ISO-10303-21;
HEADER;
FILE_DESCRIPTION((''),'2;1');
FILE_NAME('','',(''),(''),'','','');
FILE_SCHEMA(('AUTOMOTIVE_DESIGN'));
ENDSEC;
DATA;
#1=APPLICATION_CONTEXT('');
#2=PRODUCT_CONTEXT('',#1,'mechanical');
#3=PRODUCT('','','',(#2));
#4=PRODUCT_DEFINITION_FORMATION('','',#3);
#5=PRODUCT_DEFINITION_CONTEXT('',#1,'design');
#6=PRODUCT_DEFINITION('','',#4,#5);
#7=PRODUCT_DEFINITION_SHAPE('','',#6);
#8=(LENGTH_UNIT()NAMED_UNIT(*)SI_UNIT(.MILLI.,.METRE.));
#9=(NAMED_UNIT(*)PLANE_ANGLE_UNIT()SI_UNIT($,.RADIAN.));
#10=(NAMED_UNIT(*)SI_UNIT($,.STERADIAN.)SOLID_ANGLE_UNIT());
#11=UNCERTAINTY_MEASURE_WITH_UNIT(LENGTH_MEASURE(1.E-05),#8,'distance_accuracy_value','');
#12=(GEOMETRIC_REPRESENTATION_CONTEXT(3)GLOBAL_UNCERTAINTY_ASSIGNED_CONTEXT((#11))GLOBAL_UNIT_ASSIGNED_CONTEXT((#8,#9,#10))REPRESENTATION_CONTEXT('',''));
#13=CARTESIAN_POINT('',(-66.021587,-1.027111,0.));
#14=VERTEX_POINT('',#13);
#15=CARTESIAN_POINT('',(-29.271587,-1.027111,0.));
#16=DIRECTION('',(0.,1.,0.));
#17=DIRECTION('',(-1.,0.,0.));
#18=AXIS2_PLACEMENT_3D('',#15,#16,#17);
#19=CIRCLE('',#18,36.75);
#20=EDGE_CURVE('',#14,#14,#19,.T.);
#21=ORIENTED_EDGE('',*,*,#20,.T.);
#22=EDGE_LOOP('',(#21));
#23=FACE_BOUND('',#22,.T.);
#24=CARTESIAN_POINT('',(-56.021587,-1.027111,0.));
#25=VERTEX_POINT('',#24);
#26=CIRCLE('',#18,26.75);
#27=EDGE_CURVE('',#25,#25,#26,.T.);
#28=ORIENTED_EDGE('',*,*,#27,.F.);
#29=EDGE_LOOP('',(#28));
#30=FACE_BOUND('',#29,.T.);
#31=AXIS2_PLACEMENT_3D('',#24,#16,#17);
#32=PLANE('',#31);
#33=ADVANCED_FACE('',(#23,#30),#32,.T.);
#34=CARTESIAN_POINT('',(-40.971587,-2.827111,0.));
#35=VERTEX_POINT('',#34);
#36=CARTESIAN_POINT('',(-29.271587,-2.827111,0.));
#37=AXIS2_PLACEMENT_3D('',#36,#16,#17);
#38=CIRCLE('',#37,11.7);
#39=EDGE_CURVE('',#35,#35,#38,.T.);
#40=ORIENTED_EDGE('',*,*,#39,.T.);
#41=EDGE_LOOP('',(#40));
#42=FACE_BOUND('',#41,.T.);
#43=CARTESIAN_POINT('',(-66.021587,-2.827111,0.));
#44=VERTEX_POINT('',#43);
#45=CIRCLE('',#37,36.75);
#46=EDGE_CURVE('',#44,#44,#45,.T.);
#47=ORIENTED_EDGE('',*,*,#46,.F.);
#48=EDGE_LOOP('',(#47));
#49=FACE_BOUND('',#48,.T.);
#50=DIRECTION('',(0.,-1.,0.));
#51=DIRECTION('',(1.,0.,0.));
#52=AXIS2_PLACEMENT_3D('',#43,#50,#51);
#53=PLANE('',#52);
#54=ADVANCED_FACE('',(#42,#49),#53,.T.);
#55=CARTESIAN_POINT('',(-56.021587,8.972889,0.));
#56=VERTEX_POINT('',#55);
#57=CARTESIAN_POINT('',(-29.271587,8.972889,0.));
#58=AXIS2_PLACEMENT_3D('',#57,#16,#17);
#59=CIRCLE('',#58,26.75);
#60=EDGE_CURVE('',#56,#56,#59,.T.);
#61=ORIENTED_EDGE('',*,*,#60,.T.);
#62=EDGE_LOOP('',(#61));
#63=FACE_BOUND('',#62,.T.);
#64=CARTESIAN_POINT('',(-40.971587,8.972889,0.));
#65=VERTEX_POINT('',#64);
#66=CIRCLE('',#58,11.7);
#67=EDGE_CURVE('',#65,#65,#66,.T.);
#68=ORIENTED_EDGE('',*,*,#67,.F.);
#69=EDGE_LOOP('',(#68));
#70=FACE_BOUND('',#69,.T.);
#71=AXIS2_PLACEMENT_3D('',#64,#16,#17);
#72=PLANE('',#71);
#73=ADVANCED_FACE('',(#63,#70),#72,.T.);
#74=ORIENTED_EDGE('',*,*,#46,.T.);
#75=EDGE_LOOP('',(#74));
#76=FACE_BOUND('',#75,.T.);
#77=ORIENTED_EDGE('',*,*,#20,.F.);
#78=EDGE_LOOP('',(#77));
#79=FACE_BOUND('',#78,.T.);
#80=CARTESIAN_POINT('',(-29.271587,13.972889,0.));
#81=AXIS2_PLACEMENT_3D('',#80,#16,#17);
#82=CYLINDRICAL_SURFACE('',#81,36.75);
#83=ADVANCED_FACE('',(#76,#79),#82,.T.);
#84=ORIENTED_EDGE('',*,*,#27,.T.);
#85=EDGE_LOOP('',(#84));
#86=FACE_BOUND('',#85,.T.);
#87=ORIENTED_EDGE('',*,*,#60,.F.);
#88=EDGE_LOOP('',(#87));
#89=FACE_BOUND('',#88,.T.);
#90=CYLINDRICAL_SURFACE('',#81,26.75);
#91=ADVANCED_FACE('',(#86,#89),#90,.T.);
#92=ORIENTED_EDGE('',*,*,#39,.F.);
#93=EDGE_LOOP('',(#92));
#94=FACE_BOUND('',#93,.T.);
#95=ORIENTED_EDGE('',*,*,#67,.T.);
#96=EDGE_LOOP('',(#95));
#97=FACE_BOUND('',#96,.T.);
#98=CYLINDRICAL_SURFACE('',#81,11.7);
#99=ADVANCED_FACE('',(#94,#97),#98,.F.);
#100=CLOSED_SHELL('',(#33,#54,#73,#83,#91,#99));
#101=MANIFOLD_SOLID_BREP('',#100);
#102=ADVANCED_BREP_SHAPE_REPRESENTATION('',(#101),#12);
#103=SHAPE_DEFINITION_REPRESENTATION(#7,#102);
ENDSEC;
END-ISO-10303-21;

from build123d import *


with BuildPart() as part:
    # Croquis1 → Revolución1 (revolve)
    with BuildSketch(Plane.XY):
        Polygon((-40.97158728, 8.972889318), (-40.97158728, -2.827110682), (-66.02158728, -2.827110682), (-66.02158728, -1.027110682), (-56.02158728, -1.027110682), (-56.02158728, 8.972889318), align=None)
    revolve(axis=Axis((-29.27158728, 13.972889318, 0), (0, -1, 0)))


solid = part.part
